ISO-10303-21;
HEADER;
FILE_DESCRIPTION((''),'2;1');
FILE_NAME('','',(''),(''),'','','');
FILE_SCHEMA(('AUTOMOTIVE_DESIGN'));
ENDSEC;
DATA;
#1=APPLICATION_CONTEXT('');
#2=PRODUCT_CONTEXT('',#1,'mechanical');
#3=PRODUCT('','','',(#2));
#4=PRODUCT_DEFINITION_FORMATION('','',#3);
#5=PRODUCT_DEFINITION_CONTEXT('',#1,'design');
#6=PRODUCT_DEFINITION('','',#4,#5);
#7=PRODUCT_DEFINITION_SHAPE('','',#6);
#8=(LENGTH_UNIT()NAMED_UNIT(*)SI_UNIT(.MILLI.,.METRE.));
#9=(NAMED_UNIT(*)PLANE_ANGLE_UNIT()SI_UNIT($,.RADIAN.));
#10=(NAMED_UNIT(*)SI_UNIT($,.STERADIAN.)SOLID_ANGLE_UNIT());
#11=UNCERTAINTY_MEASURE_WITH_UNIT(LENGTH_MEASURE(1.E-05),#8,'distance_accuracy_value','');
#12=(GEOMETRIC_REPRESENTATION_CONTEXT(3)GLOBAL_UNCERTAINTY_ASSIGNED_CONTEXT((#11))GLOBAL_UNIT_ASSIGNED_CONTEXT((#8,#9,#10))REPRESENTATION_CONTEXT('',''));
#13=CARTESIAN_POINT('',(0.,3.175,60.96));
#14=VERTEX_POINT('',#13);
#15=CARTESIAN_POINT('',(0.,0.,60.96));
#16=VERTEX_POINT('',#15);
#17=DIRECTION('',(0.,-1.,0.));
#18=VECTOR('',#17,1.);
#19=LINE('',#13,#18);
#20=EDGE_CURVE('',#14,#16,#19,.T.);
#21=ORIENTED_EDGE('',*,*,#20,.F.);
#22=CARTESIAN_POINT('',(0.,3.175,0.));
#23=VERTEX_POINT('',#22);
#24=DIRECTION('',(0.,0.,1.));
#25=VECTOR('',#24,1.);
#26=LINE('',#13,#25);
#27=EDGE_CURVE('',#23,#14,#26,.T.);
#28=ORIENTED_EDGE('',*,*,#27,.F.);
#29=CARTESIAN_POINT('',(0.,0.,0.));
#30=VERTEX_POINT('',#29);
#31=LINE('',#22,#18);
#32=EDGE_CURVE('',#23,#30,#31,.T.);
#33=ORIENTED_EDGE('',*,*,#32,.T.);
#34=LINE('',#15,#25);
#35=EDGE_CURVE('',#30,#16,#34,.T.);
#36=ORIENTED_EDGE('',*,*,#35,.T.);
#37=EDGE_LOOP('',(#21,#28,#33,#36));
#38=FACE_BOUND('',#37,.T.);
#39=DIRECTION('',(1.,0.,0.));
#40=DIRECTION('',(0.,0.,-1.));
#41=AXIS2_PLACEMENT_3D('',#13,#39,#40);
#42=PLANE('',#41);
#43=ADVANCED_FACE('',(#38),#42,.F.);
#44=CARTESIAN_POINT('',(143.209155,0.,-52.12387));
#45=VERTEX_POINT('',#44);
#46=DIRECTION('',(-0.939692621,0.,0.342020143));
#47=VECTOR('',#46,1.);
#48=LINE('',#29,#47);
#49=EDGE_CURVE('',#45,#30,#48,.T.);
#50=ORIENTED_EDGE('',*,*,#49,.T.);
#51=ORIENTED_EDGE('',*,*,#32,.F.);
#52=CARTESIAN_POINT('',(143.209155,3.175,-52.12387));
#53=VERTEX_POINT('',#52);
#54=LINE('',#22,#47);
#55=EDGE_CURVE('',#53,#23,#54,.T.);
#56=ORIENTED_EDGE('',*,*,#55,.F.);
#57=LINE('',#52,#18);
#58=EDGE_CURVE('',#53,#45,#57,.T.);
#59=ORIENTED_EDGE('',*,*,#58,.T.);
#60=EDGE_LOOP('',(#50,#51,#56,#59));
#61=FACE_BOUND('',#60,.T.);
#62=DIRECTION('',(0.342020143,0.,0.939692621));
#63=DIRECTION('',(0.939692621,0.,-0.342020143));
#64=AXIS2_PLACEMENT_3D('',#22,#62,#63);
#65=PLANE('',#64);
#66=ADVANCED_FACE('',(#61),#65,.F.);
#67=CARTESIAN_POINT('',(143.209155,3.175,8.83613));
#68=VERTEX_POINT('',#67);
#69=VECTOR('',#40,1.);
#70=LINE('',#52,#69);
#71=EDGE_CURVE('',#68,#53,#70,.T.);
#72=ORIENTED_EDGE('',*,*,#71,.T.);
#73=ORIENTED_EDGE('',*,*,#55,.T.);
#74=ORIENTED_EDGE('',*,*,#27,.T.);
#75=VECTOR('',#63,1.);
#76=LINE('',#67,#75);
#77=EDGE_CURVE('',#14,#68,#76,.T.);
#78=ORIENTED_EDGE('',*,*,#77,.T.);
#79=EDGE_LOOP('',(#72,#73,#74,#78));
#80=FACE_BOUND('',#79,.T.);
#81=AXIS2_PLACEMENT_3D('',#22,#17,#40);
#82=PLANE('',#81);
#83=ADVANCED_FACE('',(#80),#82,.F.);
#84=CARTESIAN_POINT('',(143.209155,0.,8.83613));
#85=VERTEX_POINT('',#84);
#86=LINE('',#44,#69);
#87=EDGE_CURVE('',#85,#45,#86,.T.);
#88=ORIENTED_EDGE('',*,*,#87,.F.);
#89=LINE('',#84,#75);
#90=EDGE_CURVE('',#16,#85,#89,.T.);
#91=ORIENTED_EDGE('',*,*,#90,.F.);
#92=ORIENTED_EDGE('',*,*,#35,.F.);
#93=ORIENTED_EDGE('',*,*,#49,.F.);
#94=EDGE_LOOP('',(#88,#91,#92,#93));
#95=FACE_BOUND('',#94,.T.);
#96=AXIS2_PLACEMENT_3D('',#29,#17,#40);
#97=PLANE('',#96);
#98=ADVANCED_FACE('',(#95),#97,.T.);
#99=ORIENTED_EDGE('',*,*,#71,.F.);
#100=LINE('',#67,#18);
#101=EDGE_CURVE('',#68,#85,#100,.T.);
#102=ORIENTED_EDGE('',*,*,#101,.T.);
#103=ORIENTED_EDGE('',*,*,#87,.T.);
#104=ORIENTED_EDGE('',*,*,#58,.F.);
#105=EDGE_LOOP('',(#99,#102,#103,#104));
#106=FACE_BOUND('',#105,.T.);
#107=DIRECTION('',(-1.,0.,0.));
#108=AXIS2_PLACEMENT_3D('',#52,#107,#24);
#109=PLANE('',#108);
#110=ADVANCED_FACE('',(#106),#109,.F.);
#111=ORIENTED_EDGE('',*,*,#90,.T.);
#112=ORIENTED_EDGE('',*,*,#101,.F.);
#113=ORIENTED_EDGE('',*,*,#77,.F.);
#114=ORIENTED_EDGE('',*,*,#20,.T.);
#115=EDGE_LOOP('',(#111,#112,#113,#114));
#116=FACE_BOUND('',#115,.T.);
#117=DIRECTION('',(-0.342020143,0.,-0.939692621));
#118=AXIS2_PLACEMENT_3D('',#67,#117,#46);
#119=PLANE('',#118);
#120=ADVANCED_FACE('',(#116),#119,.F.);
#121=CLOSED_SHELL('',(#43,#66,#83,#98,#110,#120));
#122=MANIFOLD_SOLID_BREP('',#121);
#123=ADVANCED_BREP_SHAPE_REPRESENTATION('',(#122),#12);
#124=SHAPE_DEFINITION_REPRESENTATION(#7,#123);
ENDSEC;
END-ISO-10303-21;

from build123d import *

# Parameters (mm, degrees)
BOSS_EXTRUDE1_DEPTH = 3.175


with BuildPart() as part:
    # Sketch1 → Boss-Extrude1 (new body)
    with BuildSketch(Plane(origin=(0, 0, 0), x_dir=(1, 0, 0), z_dir=(0, 1, 0))):
        Polygon((0, -60.96), (0, 0), (143.209155408, 52.123869843), (143.209155408, -8.836130157), align=None)
    extrude(amount=BOSS_EXTRUDE1_DEPTH)


solid = part.part
